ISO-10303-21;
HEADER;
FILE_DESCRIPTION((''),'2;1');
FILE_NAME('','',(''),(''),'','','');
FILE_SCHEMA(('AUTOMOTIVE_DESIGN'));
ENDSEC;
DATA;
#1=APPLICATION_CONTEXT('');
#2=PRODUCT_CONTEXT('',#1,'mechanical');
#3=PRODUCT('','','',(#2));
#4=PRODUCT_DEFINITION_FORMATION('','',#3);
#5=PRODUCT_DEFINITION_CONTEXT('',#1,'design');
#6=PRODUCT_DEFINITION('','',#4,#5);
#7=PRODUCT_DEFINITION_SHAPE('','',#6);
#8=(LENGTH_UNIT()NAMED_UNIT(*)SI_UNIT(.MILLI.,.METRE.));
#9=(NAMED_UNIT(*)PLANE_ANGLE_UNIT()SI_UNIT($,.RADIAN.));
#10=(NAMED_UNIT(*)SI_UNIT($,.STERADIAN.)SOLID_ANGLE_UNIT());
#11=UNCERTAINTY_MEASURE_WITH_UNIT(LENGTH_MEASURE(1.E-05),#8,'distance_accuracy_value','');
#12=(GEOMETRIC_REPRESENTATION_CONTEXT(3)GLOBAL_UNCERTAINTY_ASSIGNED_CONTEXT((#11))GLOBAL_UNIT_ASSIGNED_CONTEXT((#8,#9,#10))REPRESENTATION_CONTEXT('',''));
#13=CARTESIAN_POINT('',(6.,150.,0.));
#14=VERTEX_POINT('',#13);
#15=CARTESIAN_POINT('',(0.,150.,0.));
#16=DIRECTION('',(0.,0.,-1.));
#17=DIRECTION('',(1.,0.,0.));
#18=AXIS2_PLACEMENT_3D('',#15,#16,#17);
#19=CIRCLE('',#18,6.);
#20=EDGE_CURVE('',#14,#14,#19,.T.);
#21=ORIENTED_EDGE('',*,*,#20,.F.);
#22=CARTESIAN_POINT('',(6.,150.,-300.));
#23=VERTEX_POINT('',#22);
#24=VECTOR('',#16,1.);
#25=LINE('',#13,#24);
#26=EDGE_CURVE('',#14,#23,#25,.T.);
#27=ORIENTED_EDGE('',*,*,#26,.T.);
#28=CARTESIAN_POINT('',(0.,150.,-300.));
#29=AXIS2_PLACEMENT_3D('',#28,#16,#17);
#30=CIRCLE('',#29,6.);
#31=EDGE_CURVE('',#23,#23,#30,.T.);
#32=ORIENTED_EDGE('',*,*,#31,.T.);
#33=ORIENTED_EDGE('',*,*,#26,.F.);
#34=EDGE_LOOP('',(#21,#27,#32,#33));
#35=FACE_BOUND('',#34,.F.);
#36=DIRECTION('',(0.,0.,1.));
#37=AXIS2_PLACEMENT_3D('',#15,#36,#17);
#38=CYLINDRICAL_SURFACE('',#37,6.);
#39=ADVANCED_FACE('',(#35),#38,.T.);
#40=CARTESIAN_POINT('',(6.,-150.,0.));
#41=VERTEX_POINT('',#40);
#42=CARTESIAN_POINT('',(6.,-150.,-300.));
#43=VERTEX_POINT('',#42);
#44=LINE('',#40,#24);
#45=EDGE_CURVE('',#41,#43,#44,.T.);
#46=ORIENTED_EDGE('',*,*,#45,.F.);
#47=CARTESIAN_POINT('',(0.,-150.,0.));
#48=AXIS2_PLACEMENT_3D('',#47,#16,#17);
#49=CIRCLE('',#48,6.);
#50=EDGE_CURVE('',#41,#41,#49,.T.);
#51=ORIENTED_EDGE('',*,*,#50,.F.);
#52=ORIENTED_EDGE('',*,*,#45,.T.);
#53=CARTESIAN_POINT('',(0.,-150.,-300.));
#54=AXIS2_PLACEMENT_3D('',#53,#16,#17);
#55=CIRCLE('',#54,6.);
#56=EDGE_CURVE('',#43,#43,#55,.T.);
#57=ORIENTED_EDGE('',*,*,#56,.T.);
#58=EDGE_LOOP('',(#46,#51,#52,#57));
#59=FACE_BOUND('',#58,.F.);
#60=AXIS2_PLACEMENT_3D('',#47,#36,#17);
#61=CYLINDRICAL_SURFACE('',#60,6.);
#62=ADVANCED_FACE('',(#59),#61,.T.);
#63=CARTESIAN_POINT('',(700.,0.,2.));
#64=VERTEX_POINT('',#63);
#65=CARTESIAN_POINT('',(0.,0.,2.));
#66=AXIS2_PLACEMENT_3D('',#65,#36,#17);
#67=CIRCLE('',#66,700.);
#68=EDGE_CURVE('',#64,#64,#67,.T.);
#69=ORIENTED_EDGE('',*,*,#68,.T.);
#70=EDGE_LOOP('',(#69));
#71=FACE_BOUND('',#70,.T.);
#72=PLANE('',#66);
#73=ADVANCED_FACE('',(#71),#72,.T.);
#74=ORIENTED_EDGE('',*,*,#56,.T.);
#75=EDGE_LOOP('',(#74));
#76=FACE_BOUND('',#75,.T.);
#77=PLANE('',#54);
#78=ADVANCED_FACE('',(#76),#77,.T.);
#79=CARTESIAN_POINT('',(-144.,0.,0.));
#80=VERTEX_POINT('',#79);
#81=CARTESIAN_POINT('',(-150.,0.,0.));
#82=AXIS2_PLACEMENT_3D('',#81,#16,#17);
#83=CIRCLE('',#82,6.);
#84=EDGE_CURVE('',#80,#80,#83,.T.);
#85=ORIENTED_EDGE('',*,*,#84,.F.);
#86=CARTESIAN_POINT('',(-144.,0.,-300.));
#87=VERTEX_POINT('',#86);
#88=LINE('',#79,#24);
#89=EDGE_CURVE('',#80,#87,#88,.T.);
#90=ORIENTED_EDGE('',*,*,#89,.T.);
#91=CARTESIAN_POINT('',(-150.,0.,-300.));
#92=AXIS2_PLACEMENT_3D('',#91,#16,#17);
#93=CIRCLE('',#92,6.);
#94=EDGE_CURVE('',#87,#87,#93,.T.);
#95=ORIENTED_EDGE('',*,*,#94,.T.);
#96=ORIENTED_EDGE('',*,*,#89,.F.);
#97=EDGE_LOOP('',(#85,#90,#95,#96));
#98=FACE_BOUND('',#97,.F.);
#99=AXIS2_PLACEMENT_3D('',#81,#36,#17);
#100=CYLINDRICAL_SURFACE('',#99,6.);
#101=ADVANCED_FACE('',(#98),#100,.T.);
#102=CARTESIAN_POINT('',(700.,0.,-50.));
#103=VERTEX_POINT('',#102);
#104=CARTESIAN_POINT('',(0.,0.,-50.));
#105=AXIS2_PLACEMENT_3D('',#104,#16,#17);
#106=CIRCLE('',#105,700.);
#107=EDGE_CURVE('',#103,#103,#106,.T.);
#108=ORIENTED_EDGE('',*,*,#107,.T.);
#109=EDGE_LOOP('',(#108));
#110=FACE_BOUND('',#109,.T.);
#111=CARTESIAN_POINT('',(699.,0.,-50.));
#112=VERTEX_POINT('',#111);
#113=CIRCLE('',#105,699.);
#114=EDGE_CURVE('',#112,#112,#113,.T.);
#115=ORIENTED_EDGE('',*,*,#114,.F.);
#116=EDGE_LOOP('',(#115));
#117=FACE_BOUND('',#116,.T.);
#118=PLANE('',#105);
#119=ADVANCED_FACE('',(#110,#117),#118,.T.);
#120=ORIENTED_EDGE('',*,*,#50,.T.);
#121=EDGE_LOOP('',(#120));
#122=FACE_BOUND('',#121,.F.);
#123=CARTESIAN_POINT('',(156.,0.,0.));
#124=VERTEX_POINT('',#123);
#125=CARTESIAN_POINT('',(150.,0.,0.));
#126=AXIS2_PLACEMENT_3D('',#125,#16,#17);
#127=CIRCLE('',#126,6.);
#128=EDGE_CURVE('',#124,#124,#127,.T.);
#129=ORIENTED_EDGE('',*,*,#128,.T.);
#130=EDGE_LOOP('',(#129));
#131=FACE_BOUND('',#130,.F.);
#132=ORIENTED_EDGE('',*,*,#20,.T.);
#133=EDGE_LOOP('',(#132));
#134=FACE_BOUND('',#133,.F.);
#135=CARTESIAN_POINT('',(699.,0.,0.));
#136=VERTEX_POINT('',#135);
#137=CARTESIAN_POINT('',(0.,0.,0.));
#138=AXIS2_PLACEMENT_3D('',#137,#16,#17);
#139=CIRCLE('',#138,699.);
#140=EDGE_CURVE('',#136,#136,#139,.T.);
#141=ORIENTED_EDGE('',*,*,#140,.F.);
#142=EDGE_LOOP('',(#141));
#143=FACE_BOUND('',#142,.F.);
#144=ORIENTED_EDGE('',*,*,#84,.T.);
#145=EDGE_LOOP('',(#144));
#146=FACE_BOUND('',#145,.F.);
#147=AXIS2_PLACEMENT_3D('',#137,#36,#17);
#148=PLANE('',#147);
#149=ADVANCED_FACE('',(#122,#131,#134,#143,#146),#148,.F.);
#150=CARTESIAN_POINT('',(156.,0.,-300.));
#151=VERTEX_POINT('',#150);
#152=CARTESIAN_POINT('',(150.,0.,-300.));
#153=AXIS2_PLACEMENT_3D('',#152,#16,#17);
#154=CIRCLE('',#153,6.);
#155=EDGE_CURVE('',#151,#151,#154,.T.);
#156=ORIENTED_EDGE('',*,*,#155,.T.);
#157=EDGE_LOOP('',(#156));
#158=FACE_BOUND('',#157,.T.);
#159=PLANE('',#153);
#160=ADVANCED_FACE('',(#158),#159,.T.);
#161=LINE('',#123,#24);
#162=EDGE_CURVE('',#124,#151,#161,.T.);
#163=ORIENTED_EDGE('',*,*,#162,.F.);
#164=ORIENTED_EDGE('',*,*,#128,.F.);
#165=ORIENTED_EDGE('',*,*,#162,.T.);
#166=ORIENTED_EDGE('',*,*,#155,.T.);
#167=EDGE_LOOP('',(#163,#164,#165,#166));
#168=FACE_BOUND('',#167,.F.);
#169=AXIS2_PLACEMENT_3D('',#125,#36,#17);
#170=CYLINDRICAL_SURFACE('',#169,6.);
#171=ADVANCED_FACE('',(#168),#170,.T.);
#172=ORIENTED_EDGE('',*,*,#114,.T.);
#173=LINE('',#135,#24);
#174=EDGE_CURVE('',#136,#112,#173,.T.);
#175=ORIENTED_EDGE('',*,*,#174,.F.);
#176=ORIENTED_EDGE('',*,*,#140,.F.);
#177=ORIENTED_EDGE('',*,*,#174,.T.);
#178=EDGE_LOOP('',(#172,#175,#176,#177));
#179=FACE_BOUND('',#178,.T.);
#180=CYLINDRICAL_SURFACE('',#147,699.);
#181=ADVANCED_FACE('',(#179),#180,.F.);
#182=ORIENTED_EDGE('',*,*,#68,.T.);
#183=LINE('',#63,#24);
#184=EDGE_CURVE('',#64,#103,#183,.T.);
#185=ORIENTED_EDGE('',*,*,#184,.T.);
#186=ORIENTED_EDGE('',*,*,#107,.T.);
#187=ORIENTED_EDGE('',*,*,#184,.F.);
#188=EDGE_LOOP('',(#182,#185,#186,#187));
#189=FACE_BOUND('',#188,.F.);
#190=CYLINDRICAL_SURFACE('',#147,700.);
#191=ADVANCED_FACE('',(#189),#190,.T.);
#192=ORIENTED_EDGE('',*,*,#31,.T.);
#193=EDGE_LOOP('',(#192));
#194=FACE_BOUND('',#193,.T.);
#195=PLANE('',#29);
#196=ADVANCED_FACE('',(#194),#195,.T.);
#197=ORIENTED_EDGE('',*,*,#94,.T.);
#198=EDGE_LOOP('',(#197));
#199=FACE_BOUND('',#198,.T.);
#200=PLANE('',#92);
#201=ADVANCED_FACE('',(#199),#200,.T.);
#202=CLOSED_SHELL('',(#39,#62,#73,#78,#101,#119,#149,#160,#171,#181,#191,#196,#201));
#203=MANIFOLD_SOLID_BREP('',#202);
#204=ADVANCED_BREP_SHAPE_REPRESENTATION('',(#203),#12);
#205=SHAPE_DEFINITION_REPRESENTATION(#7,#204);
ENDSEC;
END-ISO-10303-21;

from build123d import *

# Parameters (mm, degrees)
F0_R     = 700
F1_DEPTH = 2
F2_R     = 700
F2_R_2   = 699
F3_DEPTH = 50
F4_R     = 6
F5_DEPTH = 300


with BuildPart() as f1:
    # F0 (on Top) → F1 (new body)
    with BuildSketch(Plane.XY):
        Circle(F0_R)
    extrude(amount=F1_DEPTH)

    # F2 (on face) → F3 (join)
    with BuildSketch(Plane(origin=(0, 0, 0), x_dir=(1, 0, 0), z_dir=(0, 0, -1))):
        Circle(F2_R)
        Circle(F2_R_2, mode=Mode.SUBTRACT)
    extrude(amount=F3_DEPTH)

    # F4 (on face) → F5 (join)
    with BuildSketch(Plane(origin=(0, 0, 0), x_dir=(1, 0, 0), z_dir=(0, 0, -1))):
        with Locations((-150, 0)):
            Circle(F4_R)
        with Locations((0, 150)):
            Circle(F4_R)
        with Locations((150, 0)):
            Circle(F4_R)
        with Locations((0, -150)):
            Circle(F4_R)
    extrude(amount=F5_DEPTH)


solid = f1.part
